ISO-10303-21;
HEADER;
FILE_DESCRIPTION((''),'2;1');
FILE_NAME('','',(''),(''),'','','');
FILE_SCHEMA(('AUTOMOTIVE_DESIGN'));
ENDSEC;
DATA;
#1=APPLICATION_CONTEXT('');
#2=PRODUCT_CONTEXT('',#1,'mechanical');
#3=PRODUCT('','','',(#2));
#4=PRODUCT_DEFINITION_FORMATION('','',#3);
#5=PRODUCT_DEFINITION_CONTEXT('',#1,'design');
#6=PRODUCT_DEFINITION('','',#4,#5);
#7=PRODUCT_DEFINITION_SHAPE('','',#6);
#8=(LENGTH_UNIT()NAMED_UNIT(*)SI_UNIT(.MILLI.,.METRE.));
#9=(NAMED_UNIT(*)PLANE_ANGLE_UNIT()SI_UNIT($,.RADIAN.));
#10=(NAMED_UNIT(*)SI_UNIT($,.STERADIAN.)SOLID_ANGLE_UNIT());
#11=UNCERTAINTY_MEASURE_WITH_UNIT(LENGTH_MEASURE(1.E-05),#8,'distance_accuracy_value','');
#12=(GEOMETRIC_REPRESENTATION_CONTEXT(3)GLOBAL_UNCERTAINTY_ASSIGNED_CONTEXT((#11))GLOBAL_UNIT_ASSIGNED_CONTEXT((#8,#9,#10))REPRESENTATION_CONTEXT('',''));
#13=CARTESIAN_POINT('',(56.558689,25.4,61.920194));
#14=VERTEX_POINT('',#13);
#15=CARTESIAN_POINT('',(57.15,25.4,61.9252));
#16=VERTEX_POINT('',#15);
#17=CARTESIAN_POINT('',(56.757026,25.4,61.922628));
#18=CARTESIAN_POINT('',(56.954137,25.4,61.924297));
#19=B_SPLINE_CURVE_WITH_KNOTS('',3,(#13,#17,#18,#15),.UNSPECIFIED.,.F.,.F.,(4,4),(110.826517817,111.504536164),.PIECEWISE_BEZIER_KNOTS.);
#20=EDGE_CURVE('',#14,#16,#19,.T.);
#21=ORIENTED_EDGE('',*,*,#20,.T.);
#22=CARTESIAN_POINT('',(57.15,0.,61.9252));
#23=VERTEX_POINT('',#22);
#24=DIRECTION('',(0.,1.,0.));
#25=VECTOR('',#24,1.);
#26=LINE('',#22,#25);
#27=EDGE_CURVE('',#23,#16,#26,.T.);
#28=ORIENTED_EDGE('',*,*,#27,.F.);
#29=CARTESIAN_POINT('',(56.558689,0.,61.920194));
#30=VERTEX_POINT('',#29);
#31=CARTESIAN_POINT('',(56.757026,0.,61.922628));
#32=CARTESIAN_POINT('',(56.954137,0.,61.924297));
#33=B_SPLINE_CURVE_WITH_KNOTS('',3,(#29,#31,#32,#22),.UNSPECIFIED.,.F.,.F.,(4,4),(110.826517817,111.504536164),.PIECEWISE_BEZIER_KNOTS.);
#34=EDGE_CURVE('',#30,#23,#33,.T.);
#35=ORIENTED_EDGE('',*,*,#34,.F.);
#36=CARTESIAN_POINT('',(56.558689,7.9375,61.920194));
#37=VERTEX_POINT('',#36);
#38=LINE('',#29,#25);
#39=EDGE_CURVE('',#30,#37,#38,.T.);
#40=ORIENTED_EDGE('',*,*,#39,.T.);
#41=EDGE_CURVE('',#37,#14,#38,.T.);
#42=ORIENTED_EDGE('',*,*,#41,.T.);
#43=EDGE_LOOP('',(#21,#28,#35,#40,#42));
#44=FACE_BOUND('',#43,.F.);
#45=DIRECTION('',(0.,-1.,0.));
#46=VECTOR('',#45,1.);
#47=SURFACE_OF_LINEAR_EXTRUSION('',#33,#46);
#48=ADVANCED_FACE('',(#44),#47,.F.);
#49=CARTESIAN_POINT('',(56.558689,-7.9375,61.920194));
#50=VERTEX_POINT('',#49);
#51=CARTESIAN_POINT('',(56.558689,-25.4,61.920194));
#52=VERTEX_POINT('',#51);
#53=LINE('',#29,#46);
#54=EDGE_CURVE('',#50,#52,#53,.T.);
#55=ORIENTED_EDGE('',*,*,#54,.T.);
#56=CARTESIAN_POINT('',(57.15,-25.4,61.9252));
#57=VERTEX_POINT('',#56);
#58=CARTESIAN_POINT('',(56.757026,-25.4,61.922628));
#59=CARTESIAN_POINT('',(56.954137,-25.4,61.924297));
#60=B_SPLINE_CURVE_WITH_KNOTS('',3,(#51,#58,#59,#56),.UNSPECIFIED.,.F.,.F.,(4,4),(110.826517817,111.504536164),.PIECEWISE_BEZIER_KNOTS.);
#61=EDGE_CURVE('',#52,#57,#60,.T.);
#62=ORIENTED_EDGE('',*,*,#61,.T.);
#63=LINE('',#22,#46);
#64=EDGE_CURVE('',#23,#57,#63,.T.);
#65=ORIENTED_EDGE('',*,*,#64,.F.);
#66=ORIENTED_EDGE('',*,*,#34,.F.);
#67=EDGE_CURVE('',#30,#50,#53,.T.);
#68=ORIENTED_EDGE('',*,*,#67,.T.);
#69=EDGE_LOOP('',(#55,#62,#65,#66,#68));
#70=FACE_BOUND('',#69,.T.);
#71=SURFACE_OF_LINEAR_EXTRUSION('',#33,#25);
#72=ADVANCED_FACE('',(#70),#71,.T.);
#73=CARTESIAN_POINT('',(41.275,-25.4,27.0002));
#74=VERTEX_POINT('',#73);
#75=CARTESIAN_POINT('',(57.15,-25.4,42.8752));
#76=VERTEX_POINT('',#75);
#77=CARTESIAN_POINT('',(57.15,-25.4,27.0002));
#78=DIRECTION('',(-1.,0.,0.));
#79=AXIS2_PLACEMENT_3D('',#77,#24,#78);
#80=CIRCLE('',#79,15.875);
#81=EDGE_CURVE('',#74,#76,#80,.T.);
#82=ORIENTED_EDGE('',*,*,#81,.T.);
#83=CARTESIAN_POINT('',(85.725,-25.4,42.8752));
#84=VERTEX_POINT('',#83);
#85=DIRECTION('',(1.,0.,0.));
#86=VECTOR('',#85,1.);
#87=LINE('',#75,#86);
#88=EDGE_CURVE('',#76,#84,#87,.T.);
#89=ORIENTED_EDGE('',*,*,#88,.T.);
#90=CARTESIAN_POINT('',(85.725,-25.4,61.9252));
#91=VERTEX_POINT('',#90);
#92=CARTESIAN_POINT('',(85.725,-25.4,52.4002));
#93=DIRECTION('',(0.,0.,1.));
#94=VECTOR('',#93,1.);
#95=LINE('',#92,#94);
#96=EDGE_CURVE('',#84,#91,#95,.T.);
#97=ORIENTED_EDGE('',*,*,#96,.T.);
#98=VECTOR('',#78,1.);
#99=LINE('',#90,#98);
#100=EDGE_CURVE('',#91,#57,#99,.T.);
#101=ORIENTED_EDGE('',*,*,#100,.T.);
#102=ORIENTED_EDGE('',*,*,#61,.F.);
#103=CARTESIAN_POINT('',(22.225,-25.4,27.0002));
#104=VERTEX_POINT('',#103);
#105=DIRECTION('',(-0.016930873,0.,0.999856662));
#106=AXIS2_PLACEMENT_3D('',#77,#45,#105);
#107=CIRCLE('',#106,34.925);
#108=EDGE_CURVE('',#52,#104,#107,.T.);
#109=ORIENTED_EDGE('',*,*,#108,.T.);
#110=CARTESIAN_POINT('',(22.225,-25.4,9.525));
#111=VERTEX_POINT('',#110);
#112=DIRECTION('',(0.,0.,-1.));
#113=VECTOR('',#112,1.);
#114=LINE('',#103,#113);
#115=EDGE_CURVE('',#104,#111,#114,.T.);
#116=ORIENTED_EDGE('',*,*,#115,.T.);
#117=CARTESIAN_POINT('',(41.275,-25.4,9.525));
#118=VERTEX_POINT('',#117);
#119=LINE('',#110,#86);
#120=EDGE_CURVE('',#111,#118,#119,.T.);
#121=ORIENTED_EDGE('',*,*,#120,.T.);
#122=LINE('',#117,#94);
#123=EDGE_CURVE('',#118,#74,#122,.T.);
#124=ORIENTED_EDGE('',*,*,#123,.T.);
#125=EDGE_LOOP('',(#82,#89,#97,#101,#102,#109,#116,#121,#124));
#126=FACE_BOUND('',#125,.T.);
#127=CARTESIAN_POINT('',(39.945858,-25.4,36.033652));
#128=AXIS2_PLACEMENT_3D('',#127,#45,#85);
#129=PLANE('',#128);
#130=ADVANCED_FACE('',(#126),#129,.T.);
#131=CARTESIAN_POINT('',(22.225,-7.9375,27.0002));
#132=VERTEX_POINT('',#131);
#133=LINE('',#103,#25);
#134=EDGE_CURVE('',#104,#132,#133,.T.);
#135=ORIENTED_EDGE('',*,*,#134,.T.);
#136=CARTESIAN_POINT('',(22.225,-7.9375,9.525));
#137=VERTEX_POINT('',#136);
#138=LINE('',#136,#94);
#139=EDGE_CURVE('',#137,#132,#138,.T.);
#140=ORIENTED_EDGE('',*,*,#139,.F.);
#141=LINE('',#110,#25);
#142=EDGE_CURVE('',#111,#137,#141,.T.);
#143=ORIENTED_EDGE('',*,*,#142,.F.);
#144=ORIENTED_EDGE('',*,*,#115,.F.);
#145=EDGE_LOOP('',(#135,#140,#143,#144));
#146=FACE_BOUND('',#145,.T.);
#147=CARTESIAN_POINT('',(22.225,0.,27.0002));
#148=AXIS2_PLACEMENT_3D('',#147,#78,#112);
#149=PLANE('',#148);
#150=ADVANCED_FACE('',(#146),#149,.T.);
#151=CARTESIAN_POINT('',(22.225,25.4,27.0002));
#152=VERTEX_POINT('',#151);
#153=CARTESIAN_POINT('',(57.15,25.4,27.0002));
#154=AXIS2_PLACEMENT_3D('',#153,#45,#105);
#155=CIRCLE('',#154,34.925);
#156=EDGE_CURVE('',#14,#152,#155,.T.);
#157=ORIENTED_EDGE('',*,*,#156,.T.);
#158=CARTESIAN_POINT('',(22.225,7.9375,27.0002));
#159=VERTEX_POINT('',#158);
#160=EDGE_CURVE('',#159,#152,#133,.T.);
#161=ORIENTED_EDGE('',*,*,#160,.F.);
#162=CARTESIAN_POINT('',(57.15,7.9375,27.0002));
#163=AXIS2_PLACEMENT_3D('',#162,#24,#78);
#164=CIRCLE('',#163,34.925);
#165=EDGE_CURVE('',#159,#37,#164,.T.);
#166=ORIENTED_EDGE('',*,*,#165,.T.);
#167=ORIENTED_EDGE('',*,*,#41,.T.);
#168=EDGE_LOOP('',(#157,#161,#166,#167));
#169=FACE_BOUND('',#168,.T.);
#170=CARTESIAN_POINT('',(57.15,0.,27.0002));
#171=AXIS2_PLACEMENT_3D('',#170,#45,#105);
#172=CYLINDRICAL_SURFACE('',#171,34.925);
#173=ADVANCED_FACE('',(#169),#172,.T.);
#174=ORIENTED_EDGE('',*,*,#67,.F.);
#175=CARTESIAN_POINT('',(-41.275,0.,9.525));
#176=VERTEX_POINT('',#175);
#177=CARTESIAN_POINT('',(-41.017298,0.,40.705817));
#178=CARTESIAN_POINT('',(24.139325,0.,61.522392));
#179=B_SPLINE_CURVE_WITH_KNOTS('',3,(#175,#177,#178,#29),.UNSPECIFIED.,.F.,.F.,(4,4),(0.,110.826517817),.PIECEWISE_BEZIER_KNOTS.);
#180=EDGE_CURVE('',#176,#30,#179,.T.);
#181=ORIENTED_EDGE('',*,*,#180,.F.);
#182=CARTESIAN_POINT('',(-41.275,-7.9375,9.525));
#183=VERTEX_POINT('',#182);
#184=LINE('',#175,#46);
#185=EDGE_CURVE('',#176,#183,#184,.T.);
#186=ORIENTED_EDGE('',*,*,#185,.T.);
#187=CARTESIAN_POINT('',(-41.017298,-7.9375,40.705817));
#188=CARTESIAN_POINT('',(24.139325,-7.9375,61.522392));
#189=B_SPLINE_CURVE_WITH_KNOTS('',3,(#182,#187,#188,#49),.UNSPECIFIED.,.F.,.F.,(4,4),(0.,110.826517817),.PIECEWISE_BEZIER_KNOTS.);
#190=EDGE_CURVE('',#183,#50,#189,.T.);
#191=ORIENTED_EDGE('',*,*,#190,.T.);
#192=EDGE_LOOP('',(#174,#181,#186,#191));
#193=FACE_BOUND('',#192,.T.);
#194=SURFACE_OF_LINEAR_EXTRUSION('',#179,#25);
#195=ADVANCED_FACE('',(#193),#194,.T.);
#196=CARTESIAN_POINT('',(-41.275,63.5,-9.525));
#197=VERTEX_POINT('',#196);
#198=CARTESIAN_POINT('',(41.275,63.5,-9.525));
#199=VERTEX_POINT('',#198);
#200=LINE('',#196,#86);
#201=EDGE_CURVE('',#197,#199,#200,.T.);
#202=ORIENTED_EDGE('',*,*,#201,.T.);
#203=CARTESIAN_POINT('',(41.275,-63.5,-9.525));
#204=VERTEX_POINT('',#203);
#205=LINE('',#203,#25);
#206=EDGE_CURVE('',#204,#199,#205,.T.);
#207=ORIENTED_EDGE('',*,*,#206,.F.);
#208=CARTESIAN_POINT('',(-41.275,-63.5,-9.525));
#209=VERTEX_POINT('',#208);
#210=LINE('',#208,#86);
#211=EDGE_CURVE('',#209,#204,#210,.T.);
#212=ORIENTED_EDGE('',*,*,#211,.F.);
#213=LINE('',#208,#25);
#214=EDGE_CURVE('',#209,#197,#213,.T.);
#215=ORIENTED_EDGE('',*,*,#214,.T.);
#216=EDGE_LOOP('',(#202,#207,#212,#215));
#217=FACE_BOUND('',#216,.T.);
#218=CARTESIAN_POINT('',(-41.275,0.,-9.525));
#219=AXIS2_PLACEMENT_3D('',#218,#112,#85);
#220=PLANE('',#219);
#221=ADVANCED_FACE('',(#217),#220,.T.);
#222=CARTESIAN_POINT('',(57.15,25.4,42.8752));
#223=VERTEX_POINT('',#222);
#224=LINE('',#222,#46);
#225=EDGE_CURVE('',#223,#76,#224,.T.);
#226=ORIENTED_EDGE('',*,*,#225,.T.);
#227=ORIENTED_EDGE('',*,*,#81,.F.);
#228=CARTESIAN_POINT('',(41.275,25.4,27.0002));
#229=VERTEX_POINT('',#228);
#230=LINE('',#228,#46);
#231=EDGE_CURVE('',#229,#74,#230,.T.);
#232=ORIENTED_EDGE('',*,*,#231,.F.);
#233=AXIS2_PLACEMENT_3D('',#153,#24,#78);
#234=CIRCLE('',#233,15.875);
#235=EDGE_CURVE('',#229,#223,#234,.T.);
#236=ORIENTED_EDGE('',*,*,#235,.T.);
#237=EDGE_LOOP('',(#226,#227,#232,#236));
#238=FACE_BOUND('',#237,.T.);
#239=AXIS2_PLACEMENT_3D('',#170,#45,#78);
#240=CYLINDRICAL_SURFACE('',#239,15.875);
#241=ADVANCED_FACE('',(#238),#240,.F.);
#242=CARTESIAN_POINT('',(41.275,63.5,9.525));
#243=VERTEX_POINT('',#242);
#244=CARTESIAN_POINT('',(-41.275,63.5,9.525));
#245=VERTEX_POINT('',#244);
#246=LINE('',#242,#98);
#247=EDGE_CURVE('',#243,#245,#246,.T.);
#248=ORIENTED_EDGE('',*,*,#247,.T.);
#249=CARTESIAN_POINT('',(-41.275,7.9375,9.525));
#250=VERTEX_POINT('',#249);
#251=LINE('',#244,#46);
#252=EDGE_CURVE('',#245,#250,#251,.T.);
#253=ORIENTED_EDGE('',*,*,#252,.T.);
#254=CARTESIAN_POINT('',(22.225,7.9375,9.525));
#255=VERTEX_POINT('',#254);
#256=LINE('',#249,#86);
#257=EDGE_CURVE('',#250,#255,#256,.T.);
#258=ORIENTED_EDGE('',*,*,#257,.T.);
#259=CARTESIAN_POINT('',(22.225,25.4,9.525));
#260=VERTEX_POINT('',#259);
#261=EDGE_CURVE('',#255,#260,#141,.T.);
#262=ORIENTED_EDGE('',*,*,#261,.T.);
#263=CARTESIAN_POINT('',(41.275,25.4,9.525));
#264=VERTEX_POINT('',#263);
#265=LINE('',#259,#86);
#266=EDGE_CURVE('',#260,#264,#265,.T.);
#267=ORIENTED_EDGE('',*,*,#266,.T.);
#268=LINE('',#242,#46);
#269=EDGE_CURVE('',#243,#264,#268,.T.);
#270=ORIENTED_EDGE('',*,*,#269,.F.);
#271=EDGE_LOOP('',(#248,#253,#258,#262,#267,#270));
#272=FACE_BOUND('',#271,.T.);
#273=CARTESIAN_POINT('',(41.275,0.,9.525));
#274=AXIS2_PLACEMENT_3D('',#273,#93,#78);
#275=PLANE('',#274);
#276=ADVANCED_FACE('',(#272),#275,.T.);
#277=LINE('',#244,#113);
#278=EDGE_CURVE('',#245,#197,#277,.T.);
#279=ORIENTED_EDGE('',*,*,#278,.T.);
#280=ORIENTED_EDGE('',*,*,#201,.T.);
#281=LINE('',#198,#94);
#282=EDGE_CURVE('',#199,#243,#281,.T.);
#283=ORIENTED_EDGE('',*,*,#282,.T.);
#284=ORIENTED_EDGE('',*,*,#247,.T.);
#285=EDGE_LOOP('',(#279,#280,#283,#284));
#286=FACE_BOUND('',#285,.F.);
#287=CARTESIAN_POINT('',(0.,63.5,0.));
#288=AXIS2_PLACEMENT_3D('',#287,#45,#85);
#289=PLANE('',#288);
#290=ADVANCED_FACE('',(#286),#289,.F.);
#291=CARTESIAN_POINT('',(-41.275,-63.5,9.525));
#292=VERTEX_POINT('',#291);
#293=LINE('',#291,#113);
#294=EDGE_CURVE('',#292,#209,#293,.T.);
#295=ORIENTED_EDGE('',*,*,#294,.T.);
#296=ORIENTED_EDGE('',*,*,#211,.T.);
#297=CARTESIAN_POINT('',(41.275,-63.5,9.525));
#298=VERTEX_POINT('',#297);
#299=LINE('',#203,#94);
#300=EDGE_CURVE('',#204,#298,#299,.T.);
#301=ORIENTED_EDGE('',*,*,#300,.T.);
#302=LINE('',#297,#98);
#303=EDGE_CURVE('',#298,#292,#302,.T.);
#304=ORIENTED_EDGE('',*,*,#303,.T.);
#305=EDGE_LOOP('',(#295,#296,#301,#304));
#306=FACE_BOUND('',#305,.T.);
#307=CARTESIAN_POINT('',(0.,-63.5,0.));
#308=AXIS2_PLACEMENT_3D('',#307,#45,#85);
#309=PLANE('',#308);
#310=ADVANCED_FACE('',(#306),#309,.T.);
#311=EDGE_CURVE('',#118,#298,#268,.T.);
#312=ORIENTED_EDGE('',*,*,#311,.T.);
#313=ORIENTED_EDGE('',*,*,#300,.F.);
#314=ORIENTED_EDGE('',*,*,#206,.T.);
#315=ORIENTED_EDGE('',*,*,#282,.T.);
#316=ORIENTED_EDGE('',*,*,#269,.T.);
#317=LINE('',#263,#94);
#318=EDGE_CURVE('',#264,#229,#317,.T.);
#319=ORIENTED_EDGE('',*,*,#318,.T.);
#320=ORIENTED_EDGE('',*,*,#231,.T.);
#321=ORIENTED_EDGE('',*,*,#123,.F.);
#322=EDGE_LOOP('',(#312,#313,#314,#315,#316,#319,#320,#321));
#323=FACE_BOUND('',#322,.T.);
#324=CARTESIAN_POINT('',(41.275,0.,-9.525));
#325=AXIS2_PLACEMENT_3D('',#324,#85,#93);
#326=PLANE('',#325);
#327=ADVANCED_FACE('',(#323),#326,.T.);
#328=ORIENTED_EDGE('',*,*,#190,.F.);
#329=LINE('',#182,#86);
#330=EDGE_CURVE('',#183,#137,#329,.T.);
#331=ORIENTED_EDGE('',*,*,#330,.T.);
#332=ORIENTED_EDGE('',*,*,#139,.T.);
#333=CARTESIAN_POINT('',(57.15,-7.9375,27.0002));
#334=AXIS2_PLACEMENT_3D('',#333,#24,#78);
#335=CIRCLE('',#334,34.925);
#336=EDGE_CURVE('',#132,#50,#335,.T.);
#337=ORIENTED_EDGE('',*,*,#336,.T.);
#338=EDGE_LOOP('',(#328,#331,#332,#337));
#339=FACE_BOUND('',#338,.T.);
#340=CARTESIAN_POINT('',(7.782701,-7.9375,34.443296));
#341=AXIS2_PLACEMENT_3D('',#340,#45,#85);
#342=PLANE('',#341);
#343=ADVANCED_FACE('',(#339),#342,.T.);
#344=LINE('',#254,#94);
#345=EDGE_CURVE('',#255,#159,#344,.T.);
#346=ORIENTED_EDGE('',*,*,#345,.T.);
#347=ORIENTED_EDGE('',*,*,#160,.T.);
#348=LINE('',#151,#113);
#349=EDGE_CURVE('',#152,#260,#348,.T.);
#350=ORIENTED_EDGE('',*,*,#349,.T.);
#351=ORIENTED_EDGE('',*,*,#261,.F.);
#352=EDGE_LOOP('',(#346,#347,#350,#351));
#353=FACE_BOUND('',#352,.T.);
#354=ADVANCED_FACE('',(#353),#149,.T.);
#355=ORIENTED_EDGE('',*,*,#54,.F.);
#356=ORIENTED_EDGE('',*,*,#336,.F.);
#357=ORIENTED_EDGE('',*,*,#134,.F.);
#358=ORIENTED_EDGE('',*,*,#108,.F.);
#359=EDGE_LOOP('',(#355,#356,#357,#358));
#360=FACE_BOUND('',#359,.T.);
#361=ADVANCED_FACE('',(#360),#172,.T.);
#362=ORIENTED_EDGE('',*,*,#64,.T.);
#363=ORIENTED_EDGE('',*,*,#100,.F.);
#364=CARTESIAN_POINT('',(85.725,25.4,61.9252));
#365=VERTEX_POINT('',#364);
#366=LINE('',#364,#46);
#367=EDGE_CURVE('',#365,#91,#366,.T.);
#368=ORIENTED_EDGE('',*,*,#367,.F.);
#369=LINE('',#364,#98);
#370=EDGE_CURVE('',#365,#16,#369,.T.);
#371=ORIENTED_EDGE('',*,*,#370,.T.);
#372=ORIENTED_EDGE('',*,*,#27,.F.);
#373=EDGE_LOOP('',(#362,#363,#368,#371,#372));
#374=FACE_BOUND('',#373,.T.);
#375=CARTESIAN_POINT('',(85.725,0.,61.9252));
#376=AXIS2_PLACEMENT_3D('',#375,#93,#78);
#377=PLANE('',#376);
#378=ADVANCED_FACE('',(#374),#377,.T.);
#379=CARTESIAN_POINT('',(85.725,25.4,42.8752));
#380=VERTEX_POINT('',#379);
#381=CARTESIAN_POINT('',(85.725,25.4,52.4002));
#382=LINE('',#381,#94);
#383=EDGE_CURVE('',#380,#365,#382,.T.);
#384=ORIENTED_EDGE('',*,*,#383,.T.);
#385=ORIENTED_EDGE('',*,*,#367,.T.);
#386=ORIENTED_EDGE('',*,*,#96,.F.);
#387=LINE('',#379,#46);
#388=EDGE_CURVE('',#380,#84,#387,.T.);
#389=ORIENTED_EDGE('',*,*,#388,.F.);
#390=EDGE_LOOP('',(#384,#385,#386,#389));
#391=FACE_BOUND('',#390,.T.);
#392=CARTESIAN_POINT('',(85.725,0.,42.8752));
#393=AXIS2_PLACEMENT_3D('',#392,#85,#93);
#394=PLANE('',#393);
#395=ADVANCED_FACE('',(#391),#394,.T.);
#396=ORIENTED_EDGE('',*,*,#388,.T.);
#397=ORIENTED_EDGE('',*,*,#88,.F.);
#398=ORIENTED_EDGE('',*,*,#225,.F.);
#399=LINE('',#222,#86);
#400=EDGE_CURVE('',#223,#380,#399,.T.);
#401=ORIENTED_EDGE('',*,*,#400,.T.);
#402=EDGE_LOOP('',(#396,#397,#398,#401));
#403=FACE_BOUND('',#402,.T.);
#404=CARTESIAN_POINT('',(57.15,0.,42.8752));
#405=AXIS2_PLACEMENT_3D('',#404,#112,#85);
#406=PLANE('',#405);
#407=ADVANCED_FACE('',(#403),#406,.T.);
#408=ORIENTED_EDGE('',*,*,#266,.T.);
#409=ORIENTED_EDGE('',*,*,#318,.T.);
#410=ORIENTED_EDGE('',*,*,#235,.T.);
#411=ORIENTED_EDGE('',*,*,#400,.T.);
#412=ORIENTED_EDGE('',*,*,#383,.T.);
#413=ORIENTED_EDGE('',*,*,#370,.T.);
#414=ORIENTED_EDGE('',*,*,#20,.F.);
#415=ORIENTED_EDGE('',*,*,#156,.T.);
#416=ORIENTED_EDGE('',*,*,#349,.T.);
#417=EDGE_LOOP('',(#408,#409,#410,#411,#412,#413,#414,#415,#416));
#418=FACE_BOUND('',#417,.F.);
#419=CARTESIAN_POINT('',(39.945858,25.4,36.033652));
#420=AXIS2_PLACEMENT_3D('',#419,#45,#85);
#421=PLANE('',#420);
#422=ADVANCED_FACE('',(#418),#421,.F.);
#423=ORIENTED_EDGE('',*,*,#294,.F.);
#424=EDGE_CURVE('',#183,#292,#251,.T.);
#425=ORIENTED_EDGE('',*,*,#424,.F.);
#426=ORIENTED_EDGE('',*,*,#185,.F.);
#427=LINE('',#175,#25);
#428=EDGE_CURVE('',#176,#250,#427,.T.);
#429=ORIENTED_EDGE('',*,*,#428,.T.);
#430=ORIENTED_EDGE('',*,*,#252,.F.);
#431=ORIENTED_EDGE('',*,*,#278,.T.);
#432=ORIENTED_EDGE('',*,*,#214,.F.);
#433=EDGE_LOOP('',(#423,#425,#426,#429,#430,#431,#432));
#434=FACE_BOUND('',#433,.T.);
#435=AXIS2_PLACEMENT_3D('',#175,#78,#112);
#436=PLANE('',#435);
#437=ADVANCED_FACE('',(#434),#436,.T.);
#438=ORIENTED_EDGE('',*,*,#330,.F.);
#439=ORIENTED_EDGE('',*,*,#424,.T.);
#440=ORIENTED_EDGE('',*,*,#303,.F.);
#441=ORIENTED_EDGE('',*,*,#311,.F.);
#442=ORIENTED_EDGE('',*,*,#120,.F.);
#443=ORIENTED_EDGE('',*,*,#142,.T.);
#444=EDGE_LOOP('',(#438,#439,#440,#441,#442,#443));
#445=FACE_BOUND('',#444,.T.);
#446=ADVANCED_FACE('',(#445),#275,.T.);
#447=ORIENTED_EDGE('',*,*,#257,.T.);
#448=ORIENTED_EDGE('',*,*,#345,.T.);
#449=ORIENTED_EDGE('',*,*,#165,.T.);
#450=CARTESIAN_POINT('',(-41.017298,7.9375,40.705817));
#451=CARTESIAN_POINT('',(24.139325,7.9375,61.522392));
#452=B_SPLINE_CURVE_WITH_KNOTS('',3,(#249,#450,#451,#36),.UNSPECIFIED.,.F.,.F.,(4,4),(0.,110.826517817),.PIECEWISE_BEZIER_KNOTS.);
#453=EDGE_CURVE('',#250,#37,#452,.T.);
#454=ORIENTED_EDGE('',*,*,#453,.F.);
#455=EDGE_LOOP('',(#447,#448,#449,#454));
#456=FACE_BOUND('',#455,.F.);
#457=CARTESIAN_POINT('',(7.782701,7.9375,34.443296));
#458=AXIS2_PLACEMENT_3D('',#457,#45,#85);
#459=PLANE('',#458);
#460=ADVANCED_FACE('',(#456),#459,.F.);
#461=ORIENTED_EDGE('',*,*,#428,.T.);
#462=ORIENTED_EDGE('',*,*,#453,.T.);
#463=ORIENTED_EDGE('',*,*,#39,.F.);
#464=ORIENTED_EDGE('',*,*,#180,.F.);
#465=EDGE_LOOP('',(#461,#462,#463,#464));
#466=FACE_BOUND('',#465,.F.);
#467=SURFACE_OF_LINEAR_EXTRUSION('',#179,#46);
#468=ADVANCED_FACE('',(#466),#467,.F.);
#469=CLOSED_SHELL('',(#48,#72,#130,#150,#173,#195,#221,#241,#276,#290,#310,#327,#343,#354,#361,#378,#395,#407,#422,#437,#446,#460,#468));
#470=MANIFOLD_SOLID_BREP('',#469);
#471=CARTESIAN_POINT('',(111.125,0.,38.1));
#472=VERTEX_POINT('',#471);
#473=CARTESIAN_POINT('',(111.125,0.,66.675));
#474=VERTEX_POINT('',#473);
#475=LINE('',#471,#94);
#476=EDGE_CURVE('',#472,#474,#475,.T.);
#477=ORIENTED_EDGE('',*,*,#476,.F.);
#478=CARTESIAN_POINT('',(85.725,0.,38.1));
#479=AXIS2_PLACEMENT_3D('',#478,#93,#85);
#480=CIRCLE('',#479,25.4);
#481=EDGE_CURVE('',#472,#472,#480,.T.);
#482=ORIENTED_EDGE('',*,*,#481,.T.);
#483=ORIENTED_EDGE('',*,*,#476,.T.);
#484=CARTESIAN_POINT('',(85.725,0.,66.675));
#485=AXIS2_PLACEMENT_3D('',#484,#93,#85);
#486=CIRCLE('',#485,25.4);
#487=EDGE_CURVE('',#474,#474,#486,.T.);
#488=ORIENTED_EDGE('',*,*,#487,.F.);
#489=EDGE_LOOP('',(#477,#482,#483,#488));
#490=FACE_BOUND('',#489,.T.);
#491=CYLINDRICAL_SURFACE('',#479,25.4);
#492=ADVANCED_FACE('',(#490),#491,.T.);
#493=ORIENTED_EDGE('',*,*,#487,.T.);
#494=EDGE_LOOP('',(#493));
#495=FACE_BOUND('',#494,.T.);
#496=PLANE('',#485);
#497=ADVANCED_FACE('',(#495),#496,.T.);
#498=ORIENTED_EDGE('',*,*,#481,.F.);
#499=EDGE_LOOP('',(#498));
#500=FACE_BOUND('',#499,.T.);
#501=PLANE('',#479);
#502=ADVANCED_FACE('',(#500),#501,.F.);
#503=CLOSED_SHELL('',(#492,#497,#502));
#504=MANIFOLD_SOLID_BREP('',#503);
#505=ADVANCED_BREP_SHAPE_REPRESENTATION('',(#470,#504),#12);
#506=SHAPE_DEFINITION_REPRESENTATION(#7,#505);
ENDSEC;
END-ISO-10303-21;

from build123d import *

# Parameters (mm, degrees)
F1_DEPTH = 63.5
F0_W     = 25.4
F0_H     = 19.05
F2_DEPTH = 25.4
F3_DEPTH = 7.9375


with BuildPart() as f1:
    # F0 (on Front) → F1 (new body, symmetric)
    with BuildSketch(Plane.XZ):
        Polygon((41.275, -9.525), (41.275, 9.525), (22.225, 9.525), (-41.275, 9.525), (-41.275, -9.525), align=None)
    extrude(amount=F1_DEPTH, both=True)

    # F0 (on Front) → F2 (join, symmetric)
    with BuildSketch(Plane.XZ):
        with BuildLine():
            Line((22.225, 9.525), (41.275, 9.525))
            Line((41.275, 9.525), (41.275, 27.0002))
            ThreePointArc((41.275, 27.0002), (45.9246798487, 38.2255201513), (57.15, 42.8752))
            Line((57.15, 42.8752), (60.325, 42.8752))
            Line((60.325, 42.8752), (60.325, 61.9252))
            Line((60.325, 61.9252), (57.15, 61.9252))
            add(Edge.make_bspline(
                [(56.558689265, 61.9201939378), (56.7570255825, 61.9226276245), (56.9541366131, 61.9242970793), (57.15, 61.9252)],
                knots=[110.8265178174, 110.8265178174, 110.8265178174, 110.8265178174, 111.5045361635, 111.5045361635, 111.5045361635, 111.5045361635], degree=3))
            ThreePointArc((56.558689265, 61.9201939378), (32.2461132309, 51.4859519548), (22.225, 27.0002))
            Line((22.225, 27.0002), (22.225, 9.525))
        make_face()
        with Locations((73.025, 52.4002)):
            Rectangle(F0_W, F0_H)
    extrude(amount=F2_DEPTH, both=True)

    # F0 (on Front) → F3 (join, symmetric)
    with BuildSketch(Plane.XZ):
        with BuildLine():
            Line((-41.275, 9.525), (22.225, 9.525))
            Line((22.225, 9.525), (22.225, 27.0002))
            ThreePointArc((22.225, 27.0002), (32.2461132309, 51.4859519548), (56.558689265, 61.9201939378))
            add(Edge.make_bspline(
                [(-41.275, 9.525), (-41.0172984332, 40.7058168065), (24.1393254559, 61.5223919803), (56.558689265, 61.9201939378)],
                knots=[0, 0, 0, 0, 110.8265178174, 110.8265178174, 110.8265178174, 110.8265178174], degree=3))
        make_face()
    extrude(amount=F3_DEPTH, both=True)


with BuildPart() as f4:
    # F0 (on Front) → F4 (revolve)
    with BuildSketch(Plane.XZ):
        Polygon((85.725, 61.9252), (85.725, 42.8752), (85.725, 38.1), (111.125, 38.1), (111.125, 66.675), (85.725, 66.675), align=None)
    revolve(axis=Axis((85.725, 0, 52.3875), (0, 0, 1)))


solid = Compound([f1.part, f4.part])
